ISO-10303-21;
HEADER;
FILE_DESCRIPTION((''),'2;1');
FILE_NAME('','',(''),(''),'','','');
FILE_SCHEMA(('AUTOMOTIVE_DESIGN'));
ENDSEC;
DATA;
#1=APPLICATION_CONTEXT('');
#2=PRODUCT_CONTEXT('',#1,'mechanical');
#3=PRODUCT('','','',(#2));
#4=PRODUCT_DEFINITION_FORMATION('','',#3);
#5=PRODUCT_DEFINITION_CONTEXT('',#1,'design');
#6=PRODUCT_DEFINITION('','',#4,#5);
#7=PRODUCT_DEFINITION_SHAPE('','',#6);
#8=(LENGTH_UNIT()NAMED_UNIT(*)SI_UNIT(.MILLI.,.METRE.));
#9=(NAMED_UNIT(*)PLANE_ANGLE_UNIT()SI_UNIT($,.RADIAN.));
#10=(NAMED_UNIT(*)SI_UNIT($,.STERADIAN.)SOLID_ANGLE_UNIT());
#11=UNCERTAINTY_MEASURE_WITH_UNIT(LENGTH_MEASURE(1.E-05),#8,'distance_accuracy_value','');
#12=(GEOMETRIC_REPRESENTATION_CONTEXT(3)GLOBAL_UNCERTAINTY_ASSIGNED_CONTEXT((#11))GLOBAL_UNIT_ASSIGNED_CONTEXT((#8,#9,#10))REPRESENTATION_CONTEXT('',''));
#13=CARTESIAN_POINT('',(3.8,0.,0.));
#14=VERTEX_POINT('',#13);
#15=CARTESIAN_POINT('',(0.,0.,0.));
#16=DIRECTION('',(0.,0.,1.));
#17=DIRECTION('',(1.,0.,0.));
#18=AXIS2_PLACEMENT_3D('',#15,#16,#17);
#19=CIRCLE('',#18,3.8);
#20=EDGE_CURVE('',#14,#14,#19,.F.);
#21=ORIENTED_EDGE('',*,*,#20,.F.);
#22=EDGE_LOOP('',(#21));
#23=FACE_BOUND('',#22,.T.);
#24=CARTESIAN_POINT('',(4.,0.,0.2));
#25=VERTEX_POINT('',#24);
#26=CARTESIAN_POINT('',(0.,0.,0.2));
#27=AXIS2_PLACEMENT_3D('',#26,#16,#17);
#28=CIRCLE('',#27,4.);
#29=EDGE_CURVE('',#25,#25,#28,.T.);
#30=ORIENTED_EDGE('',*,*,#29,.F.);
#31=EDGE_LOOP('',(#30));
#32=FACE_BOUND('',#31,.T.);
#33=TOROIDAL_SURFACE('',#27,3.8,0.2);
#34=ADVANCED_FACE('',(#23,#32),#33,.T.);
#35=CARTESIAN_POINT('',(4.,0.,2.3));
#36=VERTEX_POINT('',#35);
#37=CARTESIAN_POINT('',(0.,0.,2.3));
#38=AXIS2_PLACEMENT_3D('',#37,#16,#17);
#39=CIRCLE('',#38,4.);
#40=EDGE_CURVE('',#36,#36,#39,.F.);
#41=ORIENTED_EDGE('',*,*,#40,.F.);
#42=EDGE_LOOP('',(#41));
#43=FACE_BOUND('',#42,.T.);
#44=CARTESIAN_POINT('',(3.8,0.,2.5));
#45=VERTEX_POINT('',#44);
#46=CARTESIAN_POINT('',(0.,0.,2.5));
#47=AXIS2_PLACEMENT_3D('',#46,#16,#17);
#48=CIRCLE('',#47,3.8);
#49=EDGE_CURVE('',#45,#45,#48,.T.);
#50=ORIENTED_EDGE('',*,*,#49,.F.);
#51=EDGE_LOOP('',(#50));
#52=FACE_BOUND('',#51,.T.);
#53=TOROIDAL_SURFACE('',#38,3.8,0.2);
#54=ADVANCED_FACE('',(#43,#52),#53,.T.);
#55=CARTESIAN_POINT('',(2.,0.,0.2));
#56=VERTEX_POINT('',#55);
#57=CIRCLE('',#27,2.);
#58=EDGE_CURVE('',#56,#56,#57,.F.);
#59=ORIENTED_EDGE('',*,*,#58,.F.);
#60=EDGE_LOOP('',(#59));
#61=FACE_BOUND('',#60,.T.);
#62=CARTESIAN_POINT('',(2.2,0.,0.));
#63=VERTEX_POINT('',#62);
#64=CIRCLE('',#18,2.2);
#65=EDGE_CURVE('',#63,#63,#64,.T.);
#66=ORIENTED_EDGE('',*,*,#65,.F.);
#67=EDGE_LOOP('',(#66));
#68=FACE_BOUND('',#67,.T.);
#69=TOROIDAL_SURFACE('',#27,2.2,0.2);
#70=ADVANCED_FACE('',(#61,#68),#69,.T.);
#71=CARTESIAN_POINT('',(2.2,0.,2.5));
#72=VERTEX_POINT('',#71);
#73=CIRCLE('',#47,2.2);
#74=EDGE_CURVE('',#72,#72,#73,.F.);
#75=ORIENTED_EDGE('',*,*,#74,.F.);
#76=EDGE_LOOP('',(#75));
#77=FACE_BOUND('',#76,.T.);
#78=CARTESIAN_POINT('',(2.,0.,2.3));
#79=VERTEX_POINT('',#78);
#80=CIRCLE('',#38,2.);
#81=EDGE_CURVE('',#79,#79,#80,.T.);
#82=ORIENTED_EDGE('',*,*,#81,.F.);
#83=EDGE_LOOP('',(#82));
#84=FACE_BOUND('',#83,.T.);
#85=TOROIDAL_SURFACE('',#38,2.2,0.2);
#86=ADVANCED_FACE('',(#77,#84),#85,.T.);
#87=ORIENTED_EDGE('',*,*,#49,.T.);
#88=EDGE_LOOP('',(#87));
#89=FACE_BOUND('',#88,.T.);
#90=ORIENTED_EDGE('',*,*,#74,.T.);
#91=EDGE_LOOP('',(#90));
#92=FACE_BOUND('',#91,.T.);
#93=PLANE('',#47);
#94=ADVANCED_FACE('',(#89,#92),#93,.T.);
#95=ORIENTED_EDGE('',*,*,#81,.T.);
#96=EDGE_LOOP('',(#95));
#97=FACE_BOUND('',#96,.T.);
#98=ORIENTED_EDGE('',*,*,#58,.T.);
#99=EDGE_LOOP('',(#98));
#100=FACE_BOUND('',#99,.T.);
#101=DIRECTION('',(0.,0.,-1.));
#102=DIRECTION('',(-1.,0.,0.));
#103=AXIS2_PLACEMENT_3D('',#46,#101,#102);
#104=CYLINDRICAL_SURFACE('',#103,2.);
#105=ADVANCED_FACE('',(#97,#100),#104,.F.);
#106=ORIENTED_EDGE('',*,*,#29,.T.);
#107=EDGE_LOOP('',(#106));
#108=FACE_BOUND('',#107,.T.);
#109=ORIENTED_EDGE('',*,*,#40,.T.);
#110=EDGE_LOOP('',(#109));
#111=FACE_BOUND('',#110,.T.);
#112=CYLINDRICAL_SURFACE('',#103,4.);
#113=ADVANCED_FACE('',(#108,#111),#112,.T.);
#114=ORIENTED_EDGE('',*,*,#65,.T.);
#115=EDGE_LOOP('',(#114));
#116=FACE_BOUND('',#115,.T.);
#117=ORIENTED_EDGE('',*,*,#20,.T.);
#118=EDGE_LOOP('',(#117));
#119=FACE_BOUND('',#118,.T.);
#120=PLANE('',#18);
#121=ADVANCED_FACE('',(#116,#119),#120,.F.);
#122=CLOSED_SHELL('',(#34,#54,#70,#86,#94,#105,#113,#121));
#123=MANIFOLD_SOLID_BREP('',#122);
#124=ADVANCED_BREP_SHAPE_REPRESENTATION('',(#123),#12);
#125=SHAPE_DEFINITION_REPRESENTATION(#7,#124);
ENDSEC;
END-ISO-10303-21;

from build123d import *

# Parameters (mm, degrees)
ESQUISSE1_R      = 4
ESQUISSE1_R_2    = 2
EXTRUSION1_DEPTH = 2.5
CONG_1_R         = 0.2


with BuildPart() as part:
    # Esquisse1 → Extrusion1 (new body)
    with BuildSketch(Plane.XY):
        Circle(ESQUISSE1_R)
        Circle(ESQUISSE1_R_2, mode=Mode.SUBTRACT)
    extrude(amount=EXTRUSION1_DEPTH)

    # Congé1
    cong_1_edges = [part.edges().sort_by_distance(p)[0] for p in [
        (-4, 0, 0),
        (-4, 0, 2.5),
        (-2, 0, 0),
        (-2, 0, 2.5),
    ]]
    fillet(cong_1_edges, radius=CONG_1_R)


solid = part.part
